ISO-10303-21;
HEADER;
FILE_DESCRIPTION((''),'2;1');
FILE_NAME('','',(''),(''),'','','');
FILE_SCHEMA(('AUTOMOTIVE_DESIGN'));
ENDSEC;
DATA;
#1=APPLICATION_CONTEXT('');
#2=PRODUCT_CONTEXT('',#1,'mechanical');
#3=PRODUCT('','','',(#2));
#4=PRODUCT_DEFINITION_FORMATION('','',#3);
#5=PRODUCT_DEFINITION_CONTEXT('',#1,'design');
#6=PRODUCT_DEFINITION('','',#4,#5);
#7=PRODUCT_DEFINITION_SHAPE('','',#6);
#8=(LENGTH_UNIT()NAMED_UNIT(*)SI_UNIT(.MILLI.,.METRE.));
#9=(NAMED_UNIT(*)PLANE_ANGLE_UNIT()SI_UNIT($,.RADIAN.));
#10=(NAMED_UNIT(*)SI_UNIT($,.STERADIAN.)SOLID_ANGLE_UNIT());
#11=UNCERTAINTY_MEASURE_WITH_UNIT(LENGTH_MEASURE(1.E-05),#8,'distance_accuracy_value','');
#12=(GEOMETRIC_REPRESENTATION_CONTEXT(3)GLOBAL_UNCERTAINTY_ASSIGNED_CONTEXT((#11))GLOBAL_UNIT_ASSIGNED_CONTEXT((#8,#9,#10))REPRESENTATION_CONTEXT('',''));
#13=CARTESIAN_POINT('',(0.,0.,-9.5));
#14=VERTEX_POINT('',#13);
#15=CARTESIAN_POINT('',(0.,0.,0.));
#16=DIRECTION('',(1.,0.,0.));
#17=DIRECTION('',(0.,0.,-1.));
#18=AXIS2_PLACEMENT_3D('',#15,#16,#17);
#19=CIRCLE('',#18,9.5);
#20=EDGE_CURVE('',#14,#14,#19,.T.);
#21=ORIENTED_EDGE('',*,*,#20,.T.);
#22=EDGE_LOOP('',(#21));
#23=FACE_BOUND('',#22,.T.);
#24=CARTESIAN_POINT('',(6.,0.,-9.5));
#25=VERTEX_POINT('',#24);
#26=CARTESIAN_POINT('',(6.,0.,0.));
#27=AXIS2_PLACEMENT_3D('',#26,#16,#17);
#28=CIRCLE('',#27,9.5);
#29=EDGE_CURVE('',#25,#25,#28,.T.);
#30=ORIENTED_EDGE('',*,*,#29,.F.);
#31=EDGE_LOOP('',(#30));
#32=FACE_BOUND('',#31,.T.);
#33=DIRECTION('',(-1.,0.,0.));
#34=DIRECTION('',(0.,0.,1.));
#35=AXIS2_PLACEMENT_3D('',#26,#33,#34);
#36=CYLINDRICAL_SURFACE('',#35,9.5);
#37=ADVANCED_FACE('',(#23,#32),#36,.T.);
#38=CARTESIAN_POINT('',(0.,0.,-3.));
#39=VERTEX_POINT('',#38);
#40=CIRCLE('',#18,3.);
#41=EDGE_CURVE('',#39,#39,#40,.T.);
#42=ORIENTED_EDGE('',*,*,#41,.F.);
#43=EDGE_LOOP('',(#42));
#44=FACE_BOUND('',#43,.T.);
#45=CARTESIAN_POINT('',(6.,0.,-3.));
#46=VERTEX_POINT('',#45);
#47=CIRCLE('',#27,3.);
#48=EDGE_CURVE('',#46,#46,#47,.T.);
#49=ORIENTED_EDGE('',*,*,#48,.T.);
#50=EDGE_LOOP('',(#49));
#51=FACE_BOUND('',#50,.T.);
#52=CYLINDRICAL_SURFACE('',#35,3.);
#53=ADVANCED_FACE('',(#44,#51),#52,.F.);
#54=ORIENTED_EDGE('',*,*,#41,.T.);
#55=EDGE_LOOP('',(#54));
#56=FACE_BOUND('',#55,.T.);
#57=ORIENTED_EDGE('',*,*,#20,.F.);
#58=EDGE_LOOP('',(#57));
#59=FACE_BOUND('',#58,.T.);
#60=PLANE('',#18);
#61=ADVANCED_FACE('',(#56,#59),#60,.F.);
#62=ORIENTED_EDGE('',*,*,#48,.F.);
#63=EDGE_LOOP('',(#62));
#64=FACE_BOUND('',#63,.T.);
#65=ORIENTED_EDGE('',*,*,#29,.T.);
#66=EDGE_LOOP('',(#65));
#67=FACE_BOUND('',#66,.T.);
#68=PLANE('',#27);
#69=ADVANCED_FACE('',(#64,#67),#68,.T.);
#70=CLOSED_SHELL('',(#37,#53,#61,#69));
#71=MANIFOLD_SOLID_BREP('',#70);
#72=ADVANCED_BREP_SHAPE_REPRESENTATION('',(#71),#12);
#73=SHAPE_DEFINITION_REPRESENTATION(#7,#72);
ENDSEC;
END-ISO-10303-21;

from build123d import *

# Parameters (mm, degrees)
SKETCH1_R           = 9.5
SKETCH1_R_2         = 3
BOSS_EXTRUDE1_DEPTH = 6


with BuildPart() as part:
    # Sketch1 → Boss-Extrude1 (new body)
    with BuildSketch(Plane(origin=(0, 0, 0), x_dir=(0, 0, -1), z_dir=(1, 0, 0))):
        Circle(SKETCH1_R)
        Circle(SKETCH1_R_2, mode=Mode.SUBTRACT)
    extrude(amount=BOSS_EXTRUDE1_DEPTH)


solid = part.part
